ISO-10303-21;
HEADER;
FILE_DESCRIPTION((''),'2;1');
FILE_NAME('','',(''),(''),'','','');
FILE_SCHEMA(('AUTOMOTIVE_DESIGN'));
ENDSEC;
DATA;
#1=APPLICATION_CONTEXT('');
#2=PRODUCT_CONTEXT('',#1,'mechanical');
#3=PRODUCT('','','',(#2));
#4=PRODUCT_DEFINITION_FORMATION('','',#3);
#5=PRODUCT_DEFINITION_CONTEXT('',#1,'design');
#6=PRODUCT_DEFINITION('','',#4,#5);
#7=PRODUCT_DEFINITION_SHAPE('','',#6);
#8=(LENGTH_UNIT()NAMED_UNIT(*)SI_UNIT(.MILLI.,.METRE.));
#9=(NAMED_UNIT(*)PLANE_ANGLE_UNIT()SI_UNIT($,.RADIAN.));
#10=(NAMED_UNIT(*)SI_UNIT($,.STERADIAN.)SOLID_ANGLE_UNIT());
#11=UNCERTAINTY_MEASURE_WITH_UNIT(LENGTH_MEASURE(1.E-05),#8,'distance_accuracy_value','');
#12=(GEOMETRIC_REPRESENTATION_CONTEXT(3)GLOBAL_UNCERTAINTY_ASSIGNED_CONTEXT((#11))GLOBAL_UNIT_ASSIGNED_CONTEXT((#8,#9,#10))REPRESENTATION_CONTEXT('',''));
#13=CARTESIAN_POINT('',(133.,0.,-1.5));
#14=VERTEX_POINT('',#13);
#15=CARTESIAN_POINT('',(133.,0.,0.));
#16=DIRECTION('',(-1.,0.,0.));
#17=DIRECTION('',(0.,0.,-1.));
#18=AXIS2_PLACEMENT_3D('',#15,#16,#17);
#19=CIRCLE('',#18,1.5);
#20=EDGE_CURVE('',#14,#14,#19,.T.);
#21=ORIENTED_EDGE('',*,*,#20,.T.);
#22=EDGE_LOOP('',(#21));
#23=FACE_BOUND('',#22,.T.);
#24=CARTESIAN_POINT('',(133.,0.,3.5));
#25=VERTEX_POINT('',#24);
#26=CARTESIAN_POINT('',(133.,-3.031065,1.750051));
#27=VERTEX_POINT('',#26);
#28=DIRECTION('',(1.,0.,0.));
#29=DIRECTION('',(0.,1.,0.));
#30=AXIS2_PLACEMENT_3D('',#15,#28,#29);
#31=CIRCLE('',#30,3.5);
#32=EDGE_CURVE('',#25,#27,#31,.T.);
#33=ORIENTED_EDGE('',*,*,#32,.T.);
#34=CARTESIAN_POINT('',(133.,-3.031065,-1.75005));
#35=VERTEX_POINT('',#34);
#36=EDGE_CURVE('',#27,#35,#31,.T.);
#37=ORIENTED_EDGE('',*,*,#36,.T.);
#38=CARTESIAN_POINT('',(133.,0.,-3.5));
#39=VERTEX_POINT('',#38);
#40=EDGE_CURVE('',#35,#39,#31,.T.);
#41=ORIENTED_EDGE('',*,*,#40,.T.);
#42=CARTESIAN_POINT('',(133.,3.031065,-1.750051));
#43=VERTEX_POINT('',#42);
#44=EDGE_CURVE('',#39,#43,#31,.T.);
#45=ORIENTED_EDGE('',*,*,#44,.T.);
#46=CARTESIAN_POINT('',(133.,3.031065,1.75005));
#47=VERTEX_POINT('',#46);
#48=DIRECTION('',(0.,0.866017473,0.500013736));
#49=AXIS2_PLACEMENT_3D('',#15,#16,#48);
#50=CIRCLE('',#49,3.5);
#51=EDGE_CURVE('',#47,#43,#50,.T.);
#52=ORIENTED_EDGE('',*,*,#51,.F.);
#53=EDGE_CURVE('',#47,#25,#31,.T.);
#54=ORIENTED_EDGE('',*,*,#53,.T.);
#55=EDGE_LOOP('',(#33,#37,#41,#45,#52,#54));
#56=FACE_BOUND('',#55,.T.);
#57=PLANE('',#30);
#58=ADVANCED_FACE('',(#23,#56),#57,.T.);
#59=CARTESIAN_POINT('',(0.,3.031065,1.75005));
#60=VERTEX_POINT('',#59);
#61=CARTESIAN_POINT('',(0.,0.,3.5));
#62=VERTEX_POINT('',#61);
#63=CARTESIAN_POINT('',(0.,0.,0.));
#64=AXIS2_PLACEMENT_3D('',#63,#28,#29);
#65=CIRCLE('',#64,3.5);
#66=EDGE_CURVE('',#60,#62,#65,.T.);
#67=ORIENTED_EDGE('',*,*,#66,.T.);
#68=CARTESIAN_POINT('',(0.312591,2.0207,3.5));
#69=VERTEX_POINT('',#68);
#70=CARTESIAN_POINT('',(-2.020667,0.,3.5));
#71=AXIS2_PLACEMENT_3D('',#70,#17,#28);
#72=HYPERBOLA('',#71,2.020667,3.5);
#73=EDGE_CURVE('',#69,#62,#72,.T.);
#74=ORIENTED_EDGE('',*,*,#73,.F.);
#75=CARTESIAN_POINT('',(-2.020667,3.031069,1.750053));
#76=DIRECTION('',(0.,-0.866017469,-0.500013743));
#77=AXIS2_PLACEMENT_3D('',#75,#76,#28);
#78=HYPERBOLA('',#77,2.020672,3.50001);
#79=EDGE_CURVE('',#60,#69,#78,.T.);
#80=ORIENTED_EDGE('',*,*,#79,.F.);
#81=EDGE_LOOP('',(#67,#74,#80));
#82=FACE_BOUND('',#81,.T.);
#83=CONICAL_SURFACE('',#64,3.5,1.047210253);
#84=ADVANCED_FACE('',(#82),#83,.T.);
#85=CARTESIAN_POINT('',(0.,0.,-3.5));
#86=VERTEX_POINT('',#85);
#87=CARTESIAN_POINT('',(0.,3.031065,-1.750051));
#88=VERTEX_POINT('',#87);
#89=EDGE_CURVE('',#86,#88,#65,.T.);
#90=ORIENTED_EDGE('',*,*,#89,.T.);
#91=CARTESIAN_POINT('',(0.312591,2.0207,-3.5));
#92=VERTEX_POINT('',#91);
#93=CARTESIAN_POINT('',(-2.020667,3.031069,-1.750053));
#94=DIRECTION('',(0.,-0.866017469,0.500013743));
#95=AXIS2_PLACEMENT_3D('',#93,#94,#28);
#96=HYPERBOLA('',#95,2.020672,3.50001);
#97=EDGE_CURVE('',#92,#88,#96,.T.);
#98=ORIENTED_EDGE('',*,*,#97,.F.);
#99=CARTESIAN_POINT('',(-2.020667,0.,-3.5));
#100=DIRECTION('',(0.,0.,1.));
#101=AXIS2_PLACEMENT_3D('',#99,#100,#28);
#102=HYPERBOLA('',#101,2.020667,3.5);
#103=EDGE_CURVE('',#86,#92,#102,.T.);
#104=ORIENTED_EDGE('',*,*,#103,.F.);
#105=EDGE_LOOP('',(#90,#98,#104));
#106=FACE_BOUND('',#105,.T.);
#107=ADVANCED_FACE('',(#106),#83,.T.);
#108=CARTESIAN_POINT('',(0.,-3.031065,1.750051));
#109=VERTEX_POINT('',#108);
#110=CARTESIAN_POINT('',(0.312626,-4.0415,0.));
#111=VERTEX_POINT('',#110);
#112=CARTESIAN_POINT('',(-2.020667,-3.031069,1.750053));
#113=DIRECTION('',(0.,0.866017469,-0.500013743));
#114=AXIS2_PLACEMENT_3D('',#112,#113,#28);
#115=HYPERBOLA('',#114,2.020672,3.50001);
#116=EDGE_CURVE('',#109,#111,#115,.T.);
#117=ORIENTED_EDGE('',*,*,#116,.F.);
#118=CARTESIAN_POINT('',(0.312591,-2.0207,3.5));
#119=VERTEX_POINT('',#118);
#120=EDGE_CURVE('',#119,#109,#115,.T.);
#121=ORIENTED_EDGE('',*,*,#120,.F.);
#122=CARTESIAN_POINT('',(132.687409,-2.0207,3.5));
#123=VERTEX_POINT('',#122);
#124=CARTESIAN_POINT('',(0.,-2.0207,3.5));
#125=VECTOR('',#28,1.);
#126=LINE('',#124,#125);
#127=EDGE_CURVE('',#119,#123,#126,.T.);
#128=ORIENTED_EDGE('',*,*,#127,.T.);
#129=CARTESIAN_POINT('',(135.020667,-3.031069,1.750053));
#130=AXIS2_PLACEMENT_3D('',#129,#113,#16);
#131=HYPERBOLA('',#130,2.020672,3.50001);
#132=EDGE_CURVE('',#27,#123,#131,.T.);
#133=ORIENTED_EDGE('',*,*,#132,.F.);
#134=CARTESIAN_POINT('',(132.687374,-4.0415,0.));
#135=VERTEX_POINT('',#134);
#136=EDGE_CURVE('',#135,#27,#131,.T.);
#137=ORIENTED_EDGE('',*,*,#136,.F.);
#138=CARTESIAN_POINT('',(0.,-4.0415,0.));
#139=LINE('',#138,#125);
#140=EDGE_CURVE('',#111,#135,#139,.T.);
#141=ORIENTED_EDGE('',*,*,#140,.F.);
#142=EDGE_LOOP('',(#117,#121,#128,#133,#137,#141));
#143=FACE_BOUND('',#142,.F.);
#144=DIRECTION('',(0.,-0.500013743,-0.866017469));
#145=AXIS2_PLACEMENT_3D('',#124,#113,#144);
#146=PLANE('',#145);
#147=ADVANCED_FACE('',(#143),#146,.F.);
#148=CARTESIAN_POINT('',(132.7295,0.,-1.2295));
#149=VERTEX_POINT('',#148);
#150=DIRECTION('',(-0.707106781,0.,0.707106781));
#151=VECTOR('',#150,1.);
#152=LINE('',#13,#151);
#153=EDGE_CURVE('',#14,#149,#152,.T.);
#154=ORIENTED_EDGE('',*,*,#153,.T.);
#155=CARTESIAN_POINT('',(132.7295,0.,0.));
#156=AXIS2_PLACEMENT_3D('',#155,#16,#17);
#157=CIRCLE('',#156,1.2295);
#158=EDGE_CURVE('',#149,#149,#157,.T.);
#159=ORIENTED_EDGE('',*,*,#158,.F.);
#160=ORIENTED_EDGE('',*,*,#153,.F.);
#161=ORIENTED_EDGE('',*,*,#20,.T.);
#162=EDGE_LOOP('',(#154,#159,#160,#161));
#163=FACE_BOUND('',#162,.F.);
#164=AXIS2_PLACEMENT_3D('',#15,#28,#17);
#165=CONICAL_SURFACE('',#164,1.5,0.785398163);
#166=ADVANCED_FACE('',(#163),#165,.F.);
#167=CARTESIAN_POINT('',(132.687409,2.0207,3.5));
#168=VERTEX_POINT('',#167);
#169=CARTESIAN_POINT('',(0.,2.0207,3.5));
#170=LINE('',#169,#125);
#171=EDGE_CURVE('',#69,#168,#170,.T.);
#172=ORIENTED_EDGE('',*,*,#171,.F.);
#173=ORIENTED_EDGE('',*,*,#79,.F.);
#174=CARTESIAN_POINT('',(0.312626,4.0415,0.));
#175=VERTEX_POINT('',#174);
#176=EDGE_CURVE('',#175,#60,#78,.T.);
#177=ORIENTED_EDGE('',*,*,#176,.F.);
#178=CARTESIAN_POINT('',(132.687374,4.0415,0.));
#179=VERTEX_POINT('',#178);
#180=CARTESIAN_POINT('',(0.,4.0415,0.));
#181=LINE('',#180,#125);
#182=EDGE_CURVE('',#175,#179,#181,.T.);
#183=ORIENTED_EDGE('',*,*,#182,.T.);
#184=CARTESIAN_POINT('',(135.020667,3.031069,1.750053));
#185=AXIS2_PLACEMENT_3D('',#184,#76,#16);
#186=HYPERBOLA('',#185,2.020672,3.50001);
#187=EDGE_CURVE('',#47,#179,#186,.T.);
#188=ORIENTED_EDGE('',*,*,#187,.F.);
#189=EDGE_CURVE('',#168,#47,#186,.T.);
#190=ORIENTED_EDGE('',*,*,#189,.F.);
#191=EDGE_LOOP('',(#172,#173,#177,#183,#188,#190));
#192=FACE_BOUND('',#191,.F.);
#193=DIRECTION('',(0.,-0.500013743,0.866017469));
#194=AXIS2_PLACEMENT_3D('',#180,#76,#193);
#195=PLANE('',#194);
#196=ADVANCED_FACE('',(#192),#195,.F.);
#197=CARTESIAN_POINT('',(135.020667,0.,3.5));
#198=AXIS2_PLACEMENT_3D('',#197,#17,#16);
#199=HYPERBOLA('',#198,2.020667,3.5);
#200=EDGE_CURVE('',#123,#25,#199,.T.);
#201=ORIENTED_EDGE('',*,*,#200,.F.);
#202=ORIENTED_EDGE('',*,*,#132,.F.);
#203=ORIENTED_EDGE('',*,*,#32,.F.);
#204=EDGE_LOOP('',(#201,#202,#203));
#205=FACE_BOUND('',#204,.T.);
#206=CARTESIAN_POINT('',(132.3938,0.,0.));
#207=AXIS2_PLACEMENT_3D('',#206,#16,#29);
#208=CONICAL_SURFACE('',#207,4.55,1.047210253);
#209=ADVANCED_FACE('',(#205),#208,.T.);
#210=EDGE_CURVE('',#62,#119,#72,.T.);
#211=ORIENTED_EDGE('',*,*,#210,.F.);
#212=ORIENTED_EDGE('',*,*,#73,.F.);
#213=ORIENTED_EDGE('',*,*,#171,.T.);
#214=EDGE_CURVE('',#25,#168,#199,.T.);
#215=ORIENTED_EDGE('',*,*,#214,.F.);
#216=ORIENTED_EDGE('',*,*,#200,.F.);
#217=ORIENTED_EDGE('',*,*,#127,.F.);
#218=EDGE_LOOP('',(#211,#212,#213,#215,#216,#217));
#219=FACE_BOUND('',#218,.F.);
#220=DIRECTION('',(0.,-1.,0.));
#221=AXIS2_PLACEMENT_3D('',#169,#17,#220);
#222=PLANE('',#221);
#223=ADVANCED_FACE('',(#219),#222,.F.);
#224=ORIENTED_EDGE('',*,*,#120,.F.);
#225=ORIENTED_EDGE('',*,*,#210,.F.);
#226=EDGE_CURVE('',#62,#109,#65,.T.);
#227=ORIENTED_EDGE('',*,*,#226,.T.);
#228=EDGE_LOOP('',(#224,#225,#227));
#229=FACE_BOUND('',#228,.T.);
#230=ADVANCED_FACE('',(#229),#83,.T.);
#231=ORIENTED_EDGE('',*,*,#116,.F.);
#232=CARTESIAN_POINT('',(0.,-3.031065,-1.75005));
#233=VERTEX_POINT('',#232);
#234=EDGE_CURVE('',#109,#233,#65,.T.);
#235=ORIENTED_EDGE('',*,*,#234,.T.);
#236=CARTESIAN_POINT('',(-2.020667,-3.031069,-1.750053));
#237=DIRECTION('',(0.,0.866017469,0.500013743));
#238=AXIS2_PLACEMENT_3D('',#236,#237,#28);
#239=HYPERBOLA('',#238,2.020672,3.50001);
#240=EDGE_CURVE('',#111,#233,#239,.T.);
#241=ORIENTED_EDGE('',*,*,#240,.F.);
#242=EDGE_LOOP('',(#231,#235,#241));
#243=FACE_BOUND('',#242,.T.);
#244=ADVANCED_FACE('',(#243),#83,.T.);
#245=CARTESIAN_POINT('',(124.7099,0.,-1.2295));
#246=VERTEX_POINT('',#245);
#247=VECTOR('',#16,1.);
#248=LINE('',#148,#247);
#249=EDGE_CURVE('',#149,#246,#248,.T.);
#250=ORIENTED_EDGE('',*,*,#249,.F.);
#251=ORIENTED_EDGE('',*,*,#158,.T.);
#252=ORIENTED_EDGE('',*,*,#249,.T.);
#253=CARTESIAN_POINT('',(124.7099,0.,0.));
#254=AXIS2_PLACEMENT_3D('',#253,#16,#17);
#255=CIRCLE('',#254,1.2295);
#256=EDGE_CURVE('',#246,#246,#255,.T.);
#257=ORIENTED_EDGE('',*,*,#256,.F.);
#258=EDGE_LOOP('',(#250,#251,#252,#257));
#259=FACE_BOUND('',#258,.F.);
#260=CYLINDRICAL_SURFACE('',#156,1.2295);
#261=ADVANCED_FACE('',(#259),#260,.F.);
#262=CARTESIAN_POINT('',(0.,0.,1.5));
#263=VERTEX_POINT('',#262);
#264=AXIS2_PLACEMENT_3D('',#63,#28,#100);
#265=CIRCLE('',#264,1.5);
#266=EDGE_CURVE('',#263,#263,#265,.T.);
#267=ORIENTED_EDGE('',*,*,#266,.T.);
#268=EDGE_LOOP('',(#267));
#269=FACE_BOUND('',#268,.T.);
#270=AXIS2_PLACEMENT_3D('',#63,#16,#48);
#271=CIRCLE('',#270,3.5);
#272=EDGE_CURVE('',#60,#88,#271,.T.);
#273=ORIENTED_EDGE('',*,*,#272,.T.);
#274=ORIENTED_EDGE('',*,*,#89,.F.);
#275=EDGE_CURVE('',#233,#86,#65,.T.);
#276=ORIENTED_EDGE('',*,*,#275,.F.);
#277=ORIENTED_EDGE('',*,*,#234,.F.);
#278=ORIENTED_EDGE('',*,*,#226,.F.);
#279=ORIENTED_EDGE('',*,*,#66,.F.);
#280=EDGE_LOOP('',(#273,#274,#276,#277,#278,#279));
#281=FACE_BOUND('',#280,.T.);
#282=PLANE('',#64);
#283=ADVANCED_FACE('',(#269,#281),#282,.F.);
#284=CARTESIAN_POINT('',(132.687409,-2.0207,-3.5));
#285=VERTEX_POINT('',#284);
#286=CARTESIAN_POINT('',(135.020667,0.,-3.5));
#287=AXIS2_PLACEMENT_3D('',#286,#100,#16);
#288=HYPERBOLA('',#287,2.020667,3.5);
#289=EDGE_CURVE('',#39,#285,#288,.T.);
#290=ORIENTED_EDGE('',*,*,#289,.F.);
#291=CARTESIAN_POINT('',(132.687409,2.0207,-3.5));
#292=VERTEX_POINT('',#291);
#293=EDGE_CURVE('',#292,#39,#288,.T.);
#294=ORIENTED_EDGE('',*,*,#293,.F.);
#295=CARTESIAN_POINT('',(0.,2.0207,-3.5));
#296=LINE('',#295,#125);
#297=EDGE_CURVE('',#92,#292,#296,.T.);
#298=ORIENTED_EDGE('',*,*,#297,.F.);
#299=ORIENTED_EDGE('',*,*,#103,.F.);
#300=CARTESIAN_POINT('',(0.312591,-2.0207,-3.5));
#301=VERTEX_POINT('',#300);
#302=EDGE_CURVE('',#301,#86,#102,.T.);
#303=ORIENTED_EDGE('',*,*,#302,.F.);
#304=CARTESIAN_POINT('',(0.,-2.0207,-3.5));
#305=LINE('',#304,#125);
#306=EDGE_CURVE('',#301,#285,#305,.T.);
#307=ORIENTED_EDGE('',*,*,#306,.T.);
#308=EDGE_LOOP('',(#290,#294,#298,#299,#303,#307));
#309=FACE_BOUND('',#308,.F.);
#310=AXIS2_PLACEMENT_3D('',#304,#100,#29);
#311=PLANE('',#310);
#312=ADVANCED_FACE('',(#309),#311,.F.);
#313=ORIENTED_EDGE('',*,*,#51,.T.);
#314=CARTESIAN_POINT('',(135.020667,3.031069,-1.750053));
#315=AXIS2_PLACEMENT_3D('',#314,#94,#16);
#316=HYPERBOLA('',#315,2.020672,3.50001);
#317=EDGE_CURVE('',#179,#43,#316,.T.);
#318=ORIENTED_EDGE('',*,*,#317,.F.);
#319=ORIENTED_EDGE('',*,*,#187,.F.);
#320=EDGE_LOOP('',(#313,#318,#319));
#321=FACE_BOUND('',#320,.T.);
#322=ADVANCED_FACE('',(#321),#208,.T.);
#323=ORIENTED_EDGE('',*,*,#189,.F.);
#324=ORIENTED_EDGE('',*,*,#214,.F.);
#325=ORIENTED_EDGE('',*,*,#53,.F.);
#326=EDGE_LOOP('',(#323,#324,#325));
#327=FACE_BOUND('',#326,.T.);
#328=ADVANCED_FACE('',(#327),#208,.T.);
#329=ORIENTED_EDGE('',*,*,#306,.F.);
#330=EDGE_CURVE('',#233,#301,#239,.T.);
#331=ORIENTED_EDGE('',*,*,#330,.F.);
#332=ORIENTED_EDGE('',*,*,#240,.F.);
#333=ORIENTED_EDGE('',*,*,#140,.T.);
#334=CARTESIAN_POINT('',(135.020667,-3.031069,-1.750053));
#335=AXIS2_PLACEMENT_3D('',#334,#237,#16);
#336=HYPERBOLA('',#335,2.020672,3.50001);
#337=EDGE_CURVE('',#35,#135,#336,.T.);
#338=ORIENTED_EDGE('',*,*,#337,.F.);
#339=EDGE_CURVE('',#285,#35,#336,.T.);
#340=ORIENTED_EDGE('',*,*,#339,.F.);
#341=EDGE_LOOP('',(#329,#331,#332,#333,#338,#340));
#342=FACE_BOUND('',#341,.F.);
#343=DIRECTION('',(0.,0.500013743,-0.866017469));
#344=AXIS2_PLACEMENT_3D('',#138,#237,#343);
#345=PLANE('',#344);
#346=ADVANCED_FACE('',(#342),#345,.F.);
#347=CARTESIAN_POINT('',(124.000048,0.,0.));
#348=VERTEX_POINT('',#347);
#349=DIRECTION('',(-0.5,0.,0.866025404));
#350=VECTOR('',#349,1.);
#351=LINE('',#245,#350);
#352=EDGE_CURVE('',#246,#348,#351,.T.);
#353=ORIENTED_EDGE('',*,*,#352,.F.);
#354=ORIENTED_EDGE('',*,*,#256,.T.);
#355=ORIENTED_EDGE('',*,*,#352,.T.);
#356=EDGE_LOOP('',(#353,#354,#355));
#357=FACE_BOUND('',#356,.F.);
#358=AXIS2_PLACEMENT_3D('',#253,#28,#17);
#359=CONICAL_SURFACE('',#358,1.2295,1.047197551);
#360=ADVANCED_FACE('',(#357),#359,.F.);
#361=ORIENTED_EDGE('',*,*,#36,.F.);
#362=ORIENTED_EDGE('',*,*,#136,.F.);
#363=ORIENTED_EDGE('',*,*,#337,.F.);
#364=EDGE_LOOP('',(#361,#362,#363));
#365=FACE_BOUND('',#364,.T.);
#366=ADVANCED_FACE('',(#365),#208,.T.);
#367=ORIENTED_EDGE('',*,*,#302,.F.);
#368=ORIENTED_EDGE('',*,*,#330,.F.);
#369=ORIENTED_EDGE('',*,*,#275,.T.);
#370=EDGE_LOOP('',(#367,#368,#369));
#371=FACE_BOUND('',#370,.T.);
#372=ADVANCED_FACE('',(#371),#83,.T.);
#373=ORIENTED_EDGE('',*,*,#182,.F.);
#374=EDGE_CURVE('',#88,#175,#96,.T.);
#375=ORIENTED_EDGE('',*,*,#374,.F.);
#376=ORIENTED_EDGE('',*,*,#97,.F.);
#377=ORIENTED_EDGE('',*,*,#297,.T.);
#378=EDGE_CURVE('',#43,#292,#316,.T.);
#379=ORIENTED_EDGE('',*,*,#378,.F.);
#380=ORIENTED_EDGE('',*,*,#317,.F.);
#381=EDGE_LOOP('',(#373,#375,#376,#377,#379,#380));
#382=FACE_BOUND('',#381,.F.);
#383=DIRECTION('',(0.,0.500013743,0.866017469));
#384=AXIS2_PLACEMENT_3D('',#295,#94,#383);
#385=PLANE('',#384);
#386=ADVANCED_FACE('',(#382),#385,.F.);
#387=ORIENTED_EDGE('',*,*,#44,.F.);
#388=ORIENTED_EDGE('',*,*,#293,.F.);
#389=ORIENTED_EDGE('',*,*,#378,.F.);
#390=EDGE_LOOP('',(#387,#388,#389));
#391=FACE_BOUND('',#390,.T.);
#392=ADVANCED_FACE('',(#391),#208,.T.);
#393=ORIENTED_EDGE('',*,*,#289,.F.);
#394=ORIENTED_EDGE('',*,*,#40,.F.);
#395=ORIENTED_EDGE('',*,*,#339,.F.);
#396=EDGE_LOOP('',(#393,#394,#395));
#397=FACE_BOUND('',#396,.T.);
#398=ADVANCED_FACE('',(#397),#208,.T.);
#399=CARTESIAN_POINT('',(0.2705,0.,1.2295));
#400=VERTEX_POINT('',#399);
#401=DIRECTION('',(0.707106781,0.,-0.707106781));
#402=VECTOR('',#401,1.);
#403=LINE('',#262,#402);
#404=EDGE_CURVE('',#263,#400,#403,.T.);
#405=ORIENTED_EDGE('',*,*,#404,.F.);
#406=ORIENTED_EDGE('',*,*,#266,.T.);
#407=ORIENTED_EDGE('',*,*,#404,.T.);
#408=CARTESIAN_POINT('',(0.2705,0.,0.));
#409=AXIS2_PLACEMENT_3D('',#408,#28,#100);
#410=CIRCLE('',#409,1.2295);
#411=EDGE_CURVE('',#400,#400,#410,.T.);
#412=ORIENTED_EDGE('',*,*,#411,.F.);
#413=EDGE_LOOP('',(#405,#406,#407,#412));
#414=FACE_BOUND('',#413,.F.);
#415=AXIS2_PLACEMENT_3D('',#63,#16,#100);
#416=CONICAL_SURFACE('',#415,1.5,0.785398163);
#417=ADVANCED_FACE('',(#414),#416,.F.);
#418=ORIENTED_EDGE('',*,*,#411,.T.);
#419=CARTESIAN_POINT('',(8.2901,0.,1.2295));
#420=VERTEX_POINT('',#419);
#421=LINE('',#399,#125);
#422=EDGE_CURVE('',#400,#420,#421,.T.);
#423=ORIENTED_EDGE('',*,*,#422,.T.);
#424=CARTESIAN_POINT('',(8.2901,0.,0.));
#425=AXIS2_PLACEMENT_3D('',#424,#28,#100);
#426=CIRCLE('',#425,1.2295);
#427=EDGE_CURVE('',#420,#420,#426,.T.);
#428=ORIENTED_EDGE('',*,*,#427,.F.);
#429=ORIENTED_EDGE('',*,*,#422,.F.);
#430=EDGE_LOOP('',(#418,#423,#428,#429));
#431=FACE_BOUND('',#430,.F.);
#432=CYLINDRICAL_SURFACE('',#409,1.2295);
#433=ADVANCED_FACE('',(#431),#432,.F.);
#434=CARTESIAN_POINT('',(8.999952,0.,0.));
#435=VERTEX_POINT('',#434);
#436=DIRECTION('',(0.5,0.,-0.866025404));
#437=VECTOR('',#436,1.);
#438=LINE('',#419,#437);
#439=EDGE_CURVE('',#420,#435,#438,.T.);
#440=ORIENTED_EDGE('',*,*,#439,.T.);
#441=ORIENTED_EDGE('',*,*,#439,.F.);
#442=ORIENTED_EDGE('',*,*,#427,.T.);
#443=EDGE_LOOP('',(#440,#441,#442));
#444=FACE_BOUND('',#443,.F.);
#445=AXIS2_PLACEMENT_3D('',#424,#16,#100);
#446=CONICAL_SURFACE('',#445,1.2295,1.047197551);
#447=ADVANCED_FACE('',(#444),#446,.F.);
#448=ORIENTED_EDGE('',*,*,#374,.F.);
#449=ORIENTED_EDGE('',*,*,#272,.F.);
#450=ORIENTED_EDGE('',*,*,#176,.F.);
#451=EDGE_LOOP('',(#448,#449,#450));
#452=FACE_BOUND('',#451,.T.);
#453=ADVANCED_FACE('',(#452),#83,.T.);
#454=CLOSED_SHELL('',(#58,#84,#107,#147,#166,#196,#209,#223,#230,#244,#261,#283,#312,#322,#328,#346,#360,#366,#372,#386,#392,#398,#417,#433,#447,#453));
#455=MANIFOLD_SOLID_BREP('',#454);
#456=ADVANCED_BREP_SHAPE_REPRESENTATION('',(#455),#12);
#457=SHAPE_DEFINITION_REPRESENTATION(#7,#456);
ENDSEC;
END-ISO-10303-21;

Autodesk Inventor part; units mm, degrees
sketch "Sketch_1" plane through (0, 0, 0) normal (0, 0, 1) x (1, 0, 0)
  line L0 (133, 0) -> (0, 0)
  line L1 (0, 0) -> (0, 3.5)
  line L2 (0, 3.5) -> (0.6062, 4.55)
  line L3 (0.6062, 4.55) -> (132.3938, 4.55)
  line L4 (132.3938, 4.55) -> (133, 3.5)
  line L5 (133, 3.5) -> (133, 0)
  line L6 (133, 0) -> (0, 0)
revolve "Revolution1" add sketch "Sketch_1" angle 360 about axis through (133, 0, 0) along (1, 0, 0)
sketch "Sketch_2" plane through (0, 0, 0) normal (1, 0, 0) x (0, 1, 0)
  line L0 (7, 7) -> (-7, 7)
  line L1 (-7, 7) -> (-7, -7)
  line L2 (-7, -7) -> (7, -7)
  line L3 (7, -7) -> (7, 7)
  line L4 (-2.0207, 3.5) -> (-4.0415, 0)
  line L5 (-4.0415, 0) -> (-2.0207, -3.5)
  line L6 (-2.0207, -3.5) -> (2.0207, -3.5)
  line L7 (2.0207, -3.5) -> (4.0415, 0)
  line L8 (4.0415, 0) -> (2.0207, 3.5)
  line L9 (2.0207, 3.5) -> (-2.0207, 3.5)
extrude "Extrusion1" cut sketch "Sketch_2" along normal blind 133
sketch "Sketch3" plane through (0, 0, 0) normal (-1, 0, 0) x (0, 0, 1)
  point P0 (0, 0)
hole "Hole1" at (0, 0, 0) direction (1, 0, 0) diameter 2.459 depth 8.2901 tip angle 120 countersink diameter 3 countersink angle 90 thread size "M3x0.5" class "6H" standard "ISO Metric profile"
sketch "Sketch4" plane through (133, 0, 0) normal (1, 0, 0) x (0, 0, -1)
  point P0 (0, 0)
hole "Hole2" at (133, 0, 0) direction (-1, 0, 0) diameter 2.459 depth 8.2901 tip angle 120 countersink diameter 3 countersink angle 90 thread size "M3x0.5" class "6H" standard "ISO Metric profile"
ref_plane "C3_XY" through (133, 0, 0) normal (-1, 0, 0) x (0, 0, -1)
ref_plane "C3_YZ" through (133, 0, 0) normal (0, 0, -1) x (0, -1, 0)
ref_plane "C3_ZX" through (133, 0, 0) normal (0, -1, 0) x (-1, 0, 0)
properties part number "ABLSBF7-133-M3-N3"
